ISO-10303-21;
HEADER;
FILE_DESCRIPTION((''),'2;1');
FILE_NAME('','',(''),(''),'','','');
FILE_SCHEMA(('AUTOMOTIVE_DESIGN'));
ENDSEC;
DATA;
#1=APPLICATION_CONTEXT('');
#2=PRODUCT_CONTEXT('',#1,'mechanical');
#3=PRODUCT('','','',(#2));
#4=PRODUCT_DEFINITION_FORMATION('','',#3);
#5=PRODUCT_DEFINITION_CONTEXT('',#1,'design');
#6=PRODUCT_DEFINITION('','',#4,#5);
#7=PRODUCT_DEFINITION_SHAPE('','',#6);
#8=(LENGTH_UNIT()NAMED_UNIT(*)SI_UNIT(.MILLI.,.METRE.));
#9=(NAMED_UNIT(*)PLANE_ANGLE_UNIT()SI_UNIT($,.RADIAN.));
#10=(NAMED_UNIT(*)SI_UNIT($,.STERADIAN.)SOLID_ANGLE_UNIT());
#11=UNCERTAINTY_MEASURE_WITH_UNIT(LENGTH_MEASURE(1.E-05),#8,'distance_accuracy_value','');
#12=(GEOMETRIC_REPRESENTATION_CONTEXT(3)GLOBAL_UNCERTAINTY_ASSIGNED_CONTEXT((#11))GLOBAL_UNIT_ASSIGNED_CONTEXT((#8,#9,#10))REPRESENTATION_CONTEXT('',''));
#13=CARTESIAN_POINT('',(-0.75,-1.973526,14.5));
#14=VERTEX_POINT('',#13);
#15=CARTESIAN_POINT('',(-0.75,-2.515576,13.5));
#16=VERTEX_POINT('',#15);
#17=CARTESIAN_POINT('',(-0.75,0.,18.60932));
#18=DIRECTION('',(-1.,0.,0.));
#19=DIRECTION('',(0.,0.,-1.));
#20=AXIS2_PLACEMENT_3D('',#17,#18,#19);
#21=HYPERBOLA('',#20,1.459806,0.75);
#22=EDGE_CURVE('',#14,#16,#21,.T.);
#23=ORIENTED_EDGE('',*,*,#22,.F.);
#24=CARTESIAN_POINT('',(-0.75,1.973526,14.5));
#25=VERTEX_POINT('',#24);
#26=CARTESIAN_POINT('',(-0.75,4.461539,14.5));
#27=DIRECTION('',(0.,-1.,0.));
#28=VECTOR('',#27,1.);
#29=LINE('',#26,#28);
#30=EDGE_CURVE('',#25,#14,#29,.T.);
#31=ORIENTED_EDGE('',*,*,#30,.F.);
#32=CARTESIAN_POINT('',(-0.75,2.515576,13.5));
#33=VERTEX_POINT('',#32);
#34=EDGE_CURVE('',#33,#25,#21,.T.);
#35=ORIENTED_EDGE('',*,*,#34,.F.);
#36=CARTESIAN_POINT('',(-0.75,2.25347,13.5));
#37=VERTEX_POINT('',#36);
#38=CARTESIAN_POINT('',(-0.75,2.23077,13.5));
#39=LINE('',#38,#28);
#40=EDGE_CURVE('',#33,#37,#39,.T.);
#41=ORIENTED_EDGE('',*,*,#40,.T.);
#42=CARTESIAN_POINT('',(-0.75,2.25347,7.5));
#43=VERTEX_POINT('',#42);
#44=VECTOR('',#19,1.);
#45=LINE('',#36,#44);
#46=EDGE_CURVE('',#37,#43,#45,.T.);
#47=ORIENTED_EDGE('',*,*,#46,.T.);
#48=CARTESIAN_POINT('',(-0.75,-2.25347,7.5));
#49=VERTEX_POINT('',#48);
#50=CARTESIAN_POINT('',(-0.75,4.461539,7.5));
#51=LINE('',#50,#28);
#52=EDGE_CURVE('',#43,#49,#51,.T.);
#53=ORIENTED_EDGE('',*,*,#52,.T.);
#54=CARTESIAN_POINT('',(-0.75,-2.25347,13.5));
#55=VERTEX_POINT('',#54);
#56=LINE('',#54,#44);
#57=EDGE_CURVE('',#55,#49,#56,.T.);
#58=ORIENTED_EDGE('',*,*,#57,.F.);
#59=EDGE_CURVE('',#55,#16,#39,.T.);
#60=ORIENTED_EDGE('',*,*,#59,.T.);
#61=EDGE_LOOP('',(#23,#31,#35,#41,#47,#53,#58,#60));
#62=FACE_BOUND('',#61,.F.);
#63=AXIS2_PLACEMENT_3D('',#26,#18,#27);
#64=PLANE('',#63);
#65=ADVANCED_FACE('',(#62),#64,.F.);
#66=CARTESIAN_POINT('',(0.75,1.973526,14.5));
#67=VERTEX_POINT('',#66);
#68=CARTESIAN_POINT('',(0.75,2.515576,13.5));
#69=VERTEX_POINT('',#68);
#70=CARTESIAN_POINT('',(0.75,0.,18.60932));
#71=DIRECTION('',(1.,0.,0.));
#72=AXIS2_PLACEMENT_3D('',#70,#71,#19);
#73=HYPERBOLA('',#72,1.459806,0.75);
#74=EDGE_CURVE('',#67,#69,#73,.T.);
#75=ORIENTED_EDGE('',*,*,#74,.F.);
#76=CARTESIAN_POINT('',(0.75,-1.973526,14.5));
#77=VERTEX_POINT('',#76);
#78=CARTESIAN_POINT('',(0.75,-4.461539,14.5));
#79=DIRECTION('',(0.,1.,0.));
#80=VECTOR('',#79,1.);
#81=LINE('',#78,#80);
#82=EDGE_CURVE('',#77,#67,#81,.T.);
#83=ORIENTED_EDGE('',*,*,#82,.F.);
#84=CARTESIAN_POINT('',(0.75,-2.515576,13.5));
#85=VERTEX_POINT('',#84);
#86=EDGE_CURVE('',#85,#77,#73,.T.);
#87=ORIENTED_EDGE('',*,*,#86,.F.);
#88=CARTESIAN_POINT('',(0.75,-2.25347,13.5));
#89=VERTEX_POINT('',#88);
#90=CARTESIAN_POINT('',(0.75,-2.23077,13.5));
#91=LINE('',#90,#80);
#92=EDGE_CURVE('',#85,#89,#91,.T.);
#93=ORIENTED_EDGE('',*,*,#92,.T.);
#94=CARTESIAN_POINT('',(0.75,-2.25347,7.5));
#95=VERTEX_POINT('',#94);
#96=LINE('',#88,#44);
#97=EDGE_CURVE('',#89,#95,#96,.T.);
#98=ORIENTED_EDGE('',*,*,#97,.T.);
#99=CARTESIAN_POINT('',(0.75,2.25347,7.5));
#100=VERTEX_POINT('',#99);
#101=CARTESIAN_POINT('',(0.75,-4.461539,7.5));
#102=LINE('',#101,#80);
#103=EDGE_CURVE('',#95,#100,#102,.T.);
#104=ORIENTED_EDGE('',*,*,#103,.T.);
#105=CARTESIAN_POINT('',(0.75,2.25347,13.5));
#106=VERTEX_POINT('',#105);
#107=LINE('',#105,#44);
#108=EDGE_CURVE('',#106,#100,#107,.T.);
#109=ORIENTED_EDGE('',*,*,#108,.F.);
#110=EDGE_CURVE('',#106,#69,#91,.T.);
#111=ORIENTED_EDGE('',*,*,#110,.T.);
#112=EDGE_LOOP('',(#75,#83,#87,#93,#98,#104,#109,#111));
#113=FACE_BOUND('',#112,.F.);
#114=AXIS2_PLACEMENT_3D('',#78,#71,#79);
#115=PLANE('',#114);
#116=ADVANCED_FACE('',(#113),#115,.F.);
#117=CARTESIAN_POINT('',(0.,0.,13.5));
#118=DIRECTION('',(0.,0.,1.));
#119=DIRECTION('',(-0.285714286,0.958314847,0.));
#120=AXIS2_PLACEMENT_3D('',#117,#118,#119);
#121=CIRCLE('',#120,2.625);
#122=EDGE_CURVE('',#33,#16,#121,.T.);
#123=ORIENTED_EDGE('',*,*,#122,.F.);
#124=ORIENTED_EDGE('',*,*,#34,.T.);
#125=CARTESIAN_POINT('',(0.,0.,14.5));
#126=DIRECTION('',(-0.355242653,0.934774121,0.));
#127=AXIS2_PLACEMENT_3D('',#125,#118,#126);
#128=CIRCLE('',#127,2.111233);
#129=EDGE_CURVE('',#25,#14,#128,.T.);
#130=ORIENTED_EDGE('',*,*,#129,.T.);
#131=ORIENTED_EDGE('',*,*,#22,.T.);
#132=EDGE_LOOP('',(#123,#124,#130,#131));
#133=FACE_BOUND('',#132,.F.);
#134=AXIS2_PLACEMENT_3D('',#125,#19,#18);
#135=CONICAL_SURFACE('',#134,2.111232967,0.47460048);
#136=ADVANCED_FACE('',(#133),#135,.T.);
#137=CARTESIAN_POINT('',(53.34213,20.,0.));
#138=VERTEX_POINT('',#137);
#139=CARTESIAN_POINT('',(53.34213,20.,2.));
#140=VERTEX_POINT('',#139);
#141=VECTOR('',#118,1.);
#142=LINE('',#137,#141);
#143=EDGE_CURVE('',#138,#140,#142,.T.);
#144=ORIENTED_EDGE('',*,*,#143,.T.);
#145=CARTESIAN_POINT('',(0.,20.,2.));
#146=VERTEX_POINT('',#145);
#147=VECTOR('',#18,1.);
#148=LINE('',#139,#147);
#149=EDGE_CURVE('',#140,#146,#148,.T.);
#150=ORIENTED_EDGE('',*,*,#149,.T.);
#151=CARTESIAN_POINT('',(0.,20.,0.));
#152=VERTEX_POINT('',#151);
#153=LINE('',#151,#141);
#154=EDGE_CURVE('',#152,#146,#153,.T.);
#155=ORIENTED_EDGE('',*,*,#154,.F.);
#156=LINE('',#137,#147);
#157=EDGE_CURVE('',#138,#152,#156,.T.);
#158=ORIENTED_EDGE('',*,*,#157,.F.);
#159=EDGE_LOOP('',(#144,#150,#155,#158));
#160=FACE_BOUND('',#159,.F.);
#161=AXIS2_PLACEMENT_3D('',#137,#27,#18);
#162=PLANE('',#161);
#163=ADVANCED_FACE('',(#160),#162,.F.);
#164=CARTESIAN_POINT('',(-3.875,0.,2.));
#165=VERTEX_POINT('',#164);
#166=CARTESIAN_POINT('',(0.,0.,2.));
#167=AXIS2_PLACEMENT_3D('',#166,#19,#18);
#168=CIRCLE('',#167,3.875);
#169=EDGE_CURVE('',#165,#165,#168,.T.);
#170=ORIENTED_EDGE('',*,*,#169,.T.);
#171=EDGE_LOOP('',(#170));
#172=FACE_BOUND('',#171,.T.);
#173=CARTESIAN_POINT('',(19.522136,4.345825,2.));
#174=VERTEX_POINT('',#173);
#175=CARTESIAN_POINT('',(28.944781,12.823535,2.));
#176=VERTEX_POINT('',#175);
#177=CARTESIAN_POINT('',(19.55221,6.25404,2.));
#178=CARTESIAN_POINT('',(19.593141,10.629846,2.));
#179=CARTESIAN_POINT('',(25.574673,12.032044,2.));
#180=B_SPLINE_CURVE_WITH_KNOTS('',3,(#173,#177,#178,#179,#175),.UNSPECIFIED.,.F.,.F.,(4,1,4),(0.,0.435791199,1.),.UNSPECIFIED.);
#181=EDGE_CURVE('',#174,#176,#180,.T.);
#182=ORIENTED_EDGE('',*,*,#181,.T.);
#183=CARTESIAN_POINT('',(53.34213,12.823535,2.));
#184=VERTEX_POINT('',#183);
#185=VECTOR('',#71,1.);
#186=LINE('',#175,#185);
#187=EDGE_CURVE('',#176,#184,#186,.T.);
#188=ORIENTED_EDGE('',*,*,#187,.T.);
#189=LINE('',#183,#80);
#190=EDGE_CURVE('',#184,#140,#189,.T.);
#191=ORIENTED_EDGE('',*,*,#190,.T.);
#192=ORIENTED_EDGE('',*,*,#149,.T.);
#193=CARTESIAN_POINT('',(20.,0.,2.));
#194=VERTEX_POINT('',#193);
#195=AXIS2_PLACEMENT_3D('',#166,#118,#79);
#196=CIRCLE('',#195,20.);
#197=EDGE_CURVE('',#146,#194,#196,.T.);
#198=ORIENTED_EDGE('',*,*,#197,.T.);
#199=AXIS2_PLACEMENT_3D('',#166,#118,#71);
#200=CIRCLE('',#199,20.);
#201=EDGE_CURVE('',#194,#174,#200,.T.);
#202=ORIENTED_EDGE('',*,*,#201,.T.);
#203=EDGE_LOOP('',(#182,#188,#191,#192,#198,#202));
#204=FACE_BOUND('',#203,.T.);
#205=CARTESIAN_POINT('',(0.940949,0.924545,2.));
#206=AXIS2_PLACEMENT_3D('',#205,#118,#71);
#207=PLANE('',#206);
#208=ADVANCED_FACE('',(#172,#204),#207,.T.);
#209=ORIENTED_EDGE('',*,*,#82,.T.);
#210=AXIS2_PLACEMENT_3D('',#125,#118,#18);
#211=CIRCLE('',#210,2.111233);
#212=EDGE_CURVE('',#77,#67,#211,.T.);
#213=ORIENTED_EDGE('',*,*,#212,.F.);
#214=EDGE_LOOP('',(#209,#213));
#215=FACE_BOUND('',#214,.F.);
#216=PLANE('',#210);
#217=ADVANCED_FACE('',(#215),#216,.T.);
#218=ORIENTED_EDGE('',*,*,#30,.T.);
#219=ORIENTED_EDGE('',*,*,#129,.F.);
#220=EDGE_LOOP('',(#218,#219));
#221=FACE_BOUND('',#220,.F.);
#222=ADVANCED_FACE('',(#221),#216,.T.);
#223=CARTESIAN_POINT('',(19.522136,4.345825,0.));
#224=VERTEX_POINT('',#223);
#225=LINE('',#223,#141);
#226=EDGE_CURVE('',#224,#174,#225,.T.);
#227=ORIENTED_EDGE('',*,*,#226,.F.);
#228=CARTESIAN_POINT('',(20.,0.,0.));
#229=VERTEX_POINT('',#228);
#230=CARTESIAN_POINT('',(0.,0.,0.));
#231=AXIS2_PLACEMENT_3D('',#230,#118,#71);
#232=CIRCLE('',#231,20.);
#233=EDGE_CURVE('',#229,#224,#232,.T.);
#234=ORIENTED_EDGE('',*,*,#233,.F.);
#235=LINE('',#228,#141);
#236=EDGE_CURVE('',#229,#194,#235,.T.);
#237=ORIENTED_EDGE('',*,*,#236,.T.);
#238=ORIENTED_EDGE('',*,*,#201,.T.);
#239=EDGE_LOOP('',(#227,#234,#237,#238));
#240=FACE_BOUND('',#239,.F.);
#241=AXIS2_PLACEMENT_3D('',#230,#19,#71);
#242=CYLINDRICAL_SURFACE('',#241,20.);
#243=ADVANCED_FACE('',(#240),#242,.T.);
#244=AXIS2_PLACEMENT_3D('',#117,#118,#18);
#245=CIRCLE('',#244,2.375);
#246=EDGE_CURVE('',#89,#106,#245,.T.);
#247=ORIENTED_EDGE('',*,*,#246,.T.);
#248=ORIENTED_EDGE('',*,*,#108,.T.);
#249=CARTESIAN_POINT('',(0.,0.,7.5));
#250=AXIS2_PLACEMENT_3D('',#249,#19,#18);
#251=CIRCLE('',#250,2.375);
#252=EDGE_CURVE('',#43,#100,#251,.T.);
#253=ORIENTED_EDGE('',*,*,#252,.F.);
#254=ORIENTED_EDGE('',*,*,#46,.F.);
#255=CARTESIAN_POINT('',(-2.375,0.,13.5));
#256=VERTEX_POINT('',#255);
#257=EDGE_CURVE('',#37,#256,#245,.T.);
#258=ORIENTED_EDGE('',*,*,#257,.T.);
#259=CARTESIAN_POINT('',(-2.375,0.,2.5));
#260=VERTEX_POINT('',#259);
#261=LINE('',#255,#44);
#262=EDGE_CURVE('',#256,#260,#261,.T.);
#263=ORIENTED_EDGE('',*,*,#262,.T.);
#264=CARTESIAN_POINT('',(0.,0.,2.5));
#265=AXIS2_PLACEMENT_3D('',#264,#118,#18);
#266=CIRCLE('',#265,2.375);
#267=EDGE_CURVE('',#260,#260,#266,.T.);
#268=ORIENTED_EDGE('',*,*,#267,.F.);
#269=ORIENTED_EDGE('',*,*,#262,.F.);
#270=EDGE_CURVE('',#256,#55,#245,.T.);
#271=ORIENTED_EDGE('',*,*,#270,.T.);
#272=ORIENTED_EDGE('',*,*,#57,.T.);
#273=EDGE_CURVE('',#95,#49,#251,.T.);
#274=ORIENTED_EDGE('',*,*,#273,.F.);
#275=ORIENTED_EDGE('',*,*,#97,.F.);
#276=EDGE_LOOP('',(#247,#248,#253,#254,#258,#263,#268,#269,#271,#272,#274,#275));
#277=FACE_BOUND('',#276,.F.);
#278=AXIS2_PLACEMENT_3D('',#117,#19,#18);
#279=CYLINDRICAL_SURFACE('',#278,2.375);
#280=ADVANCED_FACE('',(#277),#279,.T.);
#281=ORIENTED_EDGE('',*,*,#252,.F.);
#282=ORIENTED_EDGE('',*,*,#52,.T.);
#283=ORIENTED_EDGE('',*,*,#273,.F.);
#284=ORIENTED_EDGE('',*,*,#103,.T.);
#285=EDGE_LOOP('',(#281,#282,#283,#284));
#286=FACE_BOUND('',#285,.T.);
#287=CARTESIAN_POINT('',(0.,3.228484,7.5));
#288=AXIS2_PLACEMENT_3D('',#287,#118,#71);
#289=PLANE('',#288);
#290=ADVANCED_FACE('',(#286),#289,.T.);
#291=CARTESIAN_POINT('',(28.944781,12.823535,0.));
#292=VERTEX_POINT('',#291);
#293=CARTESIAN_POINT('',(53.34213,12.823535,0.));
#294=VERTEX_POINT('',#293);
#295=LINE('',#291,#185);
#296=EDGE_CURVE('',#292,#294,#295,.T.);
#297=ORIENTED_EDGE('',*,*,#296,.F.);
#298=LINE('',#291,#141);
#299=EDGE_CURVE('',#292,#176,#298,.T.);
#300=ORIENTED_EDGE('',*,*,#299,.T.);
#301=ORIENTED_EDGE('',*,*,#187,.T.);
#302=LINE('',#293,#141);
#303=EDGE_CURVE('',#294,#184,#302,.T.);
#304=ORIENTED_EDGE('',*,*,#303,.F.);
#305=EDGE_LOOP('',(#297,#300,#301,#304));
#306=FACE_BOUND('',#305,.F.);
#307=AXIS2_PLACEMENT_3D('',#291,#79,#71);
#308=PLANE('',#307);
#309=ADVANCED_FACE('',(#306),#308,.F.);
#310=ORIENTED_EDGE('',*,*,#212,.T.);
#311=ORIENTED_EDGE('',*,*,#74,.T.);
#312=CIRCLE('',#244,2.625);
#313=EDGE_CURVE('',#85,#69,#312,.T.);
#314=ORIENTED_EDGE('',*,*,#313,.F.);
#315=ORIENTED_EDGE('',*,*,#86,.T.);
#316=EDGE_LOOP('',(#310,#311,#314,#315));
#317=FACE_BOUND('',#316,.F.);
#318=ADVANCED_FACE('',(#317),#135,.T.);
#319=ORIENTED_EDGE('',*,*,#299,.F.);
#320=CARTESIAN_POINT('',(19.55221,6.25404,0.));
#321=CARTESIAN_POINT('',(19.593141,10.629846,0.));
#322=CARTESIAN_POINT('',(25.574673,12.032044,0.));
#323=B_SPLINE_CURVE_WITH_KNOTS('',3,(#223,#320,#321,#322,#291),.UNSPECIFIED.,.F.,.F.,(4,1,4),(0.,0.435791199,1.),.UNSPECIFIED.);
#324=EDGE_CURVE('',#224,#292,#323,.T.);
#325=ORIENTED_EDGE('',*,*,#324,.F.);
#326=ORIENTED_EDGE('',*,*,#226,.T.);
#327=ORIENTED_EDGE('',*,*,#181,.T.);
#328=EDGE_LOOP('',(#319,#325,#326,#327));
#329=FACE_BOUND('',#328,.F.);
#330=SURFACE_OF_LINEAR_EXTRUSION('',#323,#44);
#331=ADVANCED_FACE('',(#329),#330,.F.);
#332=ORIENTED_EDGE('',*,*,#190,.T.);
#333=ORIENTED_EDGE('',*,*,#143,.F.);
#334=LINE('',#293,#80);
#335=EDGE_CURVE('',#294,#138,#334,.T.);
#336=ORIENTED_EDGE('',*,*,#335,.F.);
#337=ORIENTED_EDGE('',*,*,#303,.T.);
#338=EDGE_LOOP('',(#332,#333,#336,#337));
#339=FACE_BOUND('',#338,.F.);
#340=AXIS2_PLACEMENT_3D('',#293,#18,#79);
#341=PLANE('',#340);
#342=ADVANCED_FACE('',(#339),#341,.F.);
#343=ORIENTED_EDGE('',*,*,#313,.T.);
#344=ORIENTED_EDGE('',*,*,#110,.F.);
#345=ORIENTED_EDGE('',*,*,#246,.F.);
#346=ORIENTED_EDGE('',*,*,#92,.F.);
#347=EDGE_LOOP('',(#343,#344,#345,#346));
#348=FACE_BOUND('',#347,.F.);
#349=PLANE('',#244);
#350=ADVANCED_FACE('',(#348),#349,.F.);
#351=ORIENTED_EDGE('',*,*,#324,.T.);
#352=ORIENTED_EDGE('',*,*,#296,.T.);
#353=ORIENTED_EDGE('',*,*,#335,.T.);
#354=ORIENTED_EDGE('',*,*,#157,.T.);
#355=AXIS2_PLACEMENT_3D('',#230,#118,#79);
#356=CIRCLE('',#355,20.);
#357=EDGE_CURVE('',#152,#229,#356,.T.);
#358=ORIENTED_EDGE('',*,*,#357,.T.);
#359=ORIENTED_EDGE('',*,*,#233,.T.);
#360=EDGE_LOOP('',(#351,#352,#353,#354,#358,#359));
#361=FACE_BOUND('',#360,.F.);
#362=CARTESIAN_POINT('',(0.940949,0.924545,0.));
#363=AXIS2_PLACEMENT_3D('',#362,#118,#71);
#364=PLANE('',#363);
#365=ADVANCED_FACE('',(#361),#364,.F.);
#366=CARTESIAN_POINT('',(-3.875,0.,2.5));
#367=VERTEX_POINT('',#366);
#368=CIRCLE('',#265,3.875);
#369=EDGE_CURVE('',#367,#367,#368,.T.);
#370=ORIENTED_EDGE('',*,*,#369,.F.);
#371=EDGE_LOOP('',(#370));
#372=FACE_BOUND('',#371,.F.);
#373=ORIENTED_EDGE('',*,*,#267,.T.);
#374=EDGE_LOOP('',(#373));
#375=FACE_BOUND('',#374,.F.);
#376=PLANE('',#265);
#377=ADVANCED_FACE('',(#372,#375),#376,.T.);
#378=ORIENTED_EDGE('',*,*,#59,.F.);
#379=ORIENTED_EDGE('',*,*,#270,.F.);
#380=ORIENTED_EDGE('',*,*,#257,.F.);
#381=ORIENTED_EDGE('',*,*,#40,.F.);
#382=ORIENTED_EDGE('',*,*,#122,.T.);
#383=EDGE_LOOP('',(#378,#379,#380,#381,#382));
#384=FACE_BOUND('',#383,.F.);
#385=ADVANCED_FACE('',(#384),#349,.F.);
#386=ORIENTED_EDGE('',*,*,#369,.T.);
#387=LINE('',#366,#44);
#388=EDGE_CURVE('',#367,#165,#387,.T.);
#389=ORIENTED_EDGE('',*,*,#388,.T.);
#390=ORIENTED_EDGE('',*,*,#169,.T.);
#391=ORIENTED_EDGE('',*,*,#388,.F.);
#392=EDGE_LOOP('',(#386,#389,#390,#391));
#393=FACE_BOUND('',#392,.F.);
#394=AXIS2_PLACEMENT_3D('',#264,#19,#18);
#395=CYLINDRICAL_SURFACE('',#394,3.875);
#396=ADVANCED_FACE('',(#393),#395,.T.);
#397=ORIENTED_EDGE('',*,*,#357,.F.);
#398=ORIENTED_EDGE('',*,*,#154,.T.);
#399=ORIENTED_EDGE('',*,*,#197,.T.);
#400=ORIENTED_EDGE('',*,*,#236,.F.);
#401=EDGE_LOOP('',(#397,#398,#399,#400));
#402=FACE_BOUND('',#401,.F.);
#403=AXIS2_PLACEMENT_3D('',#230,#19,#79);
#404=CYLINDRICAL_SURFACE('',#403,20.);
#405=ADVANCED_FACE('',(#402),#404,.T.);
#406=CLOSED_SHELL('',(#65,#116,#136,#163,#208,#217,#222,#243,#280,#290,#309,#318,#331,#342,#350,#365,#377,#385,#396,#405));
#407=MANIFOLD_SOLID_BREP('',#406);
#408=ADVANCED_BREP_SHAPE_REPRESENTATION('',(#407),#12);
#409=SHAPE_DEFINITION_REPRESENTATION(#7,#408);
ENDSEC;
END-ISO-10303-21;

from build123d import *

# Parameters (mm, degrees)
F1_DEPTH = 2
F5_DEPTH = 7


with BuildPart() as f1:
    # F0 (on Top) → F1 (new body)
    with BuildSketch(Plane.XY):
        with BuildLine():
            ThreePointArc((0, 20), (-14.1421356237, -14.1421356237), (20, 0))
            ThreePointArc((20, 0), (19.8801750957, 2.1860096442), (19.5221361835, 4.3458254488))
            ThreePointArc((19.5221361835, 4.3458254488), (12.5116643782, 15.6031488645), (0, 20))
        make_face()
        with BuildLine():
            ThreePointArc((0, 20), (12.5116643782, 15.6031488645), (19.5221361835, 4.3458254488))
            add(Edge.make_bspline(
                [(19.5221361835, 4.3458254488), (19.5522097075, 6.2540398569), (19.5931412655, 10.6298460328), (25.5746730025, 12.0320439415), (28.9447810501, 12.8235351294)],
                knots=[0, 0, 0, 0, 0.4357911991, 1, 1, 1, 1], degree=3))
            Line((28.9447810501, 12.8235351294), (53.3421300352, 12.8235351294))
            Line((53.3421300352, 12.8235351294), (53.3421300352, 20))
            Line((53.3421300352, 20), (0, 20))
        make_face()
    extrude(amount=F1_DEPTH)

    # F2 (on Front) → F3 (revolve)
    with BuildSketch(Plane.XZ):
        Polygon((-2.375, 0), (0, 0), (0, 14.5), (-2.1112329669, 14.5), (-2.625, 13.5), (-2.375, 13.5), (-2.375, 2.5), (-3.875, 2.5), (-3.875, 0), align=None)
    revolve(axis=Axis((0, 0, 6.1913983081), (0, 0, 1)))

    # F4 (on face) → F5 (cut)
    with BuildSketch(Plane.XY.offset(14.5)):
        with BuildLine():
            ThreePointArc((-0.75, 1.9735259412), (0, 2.1112329669), (0.75, 1.9735259412))
            Line((0.75, 1.9735259412), (0.75, 4.4615390464))
            Line((0.75, 4.4615390464), (-0.75, 4.4615390464))
            Line((-0.75, 4.4615390464), (-0.75, 1.9735259412))
        make_face()
        with BuildLine():
            ThreePointArc((-0.75, -1.9735259412), (0, -2.1112329669), (0.75, -1.9735259412))
            Line((0.75, -1.9735259412), (0.75, 1.9735259412))
            ThreePointArc((0.75, 1.9735259412), (0, 2.1112329669), (-0.75, 1.9735259412))
            Line((-0.75, 1.9735259412), (-0.75, -1.9735259412))
        make_face()
        with BuildLine():
            Line((-0.75, -4.4615390464), (0.75, -4.4615390464))
            Line((0.75, -4.4615390464), (0.75, -1.9735259412))
            ThreePointArc((0.75, -1.9735259412), (0, -2.1112329669), (-0.75, -1.9735259412))
            Line((-0.75, -1.9735259412), (-0.75, -4.4615390464))
        make_face()
    extrude(amount=-F5_DEPTH, mode=Mode.SUBTRACT)


solid = f1.part
